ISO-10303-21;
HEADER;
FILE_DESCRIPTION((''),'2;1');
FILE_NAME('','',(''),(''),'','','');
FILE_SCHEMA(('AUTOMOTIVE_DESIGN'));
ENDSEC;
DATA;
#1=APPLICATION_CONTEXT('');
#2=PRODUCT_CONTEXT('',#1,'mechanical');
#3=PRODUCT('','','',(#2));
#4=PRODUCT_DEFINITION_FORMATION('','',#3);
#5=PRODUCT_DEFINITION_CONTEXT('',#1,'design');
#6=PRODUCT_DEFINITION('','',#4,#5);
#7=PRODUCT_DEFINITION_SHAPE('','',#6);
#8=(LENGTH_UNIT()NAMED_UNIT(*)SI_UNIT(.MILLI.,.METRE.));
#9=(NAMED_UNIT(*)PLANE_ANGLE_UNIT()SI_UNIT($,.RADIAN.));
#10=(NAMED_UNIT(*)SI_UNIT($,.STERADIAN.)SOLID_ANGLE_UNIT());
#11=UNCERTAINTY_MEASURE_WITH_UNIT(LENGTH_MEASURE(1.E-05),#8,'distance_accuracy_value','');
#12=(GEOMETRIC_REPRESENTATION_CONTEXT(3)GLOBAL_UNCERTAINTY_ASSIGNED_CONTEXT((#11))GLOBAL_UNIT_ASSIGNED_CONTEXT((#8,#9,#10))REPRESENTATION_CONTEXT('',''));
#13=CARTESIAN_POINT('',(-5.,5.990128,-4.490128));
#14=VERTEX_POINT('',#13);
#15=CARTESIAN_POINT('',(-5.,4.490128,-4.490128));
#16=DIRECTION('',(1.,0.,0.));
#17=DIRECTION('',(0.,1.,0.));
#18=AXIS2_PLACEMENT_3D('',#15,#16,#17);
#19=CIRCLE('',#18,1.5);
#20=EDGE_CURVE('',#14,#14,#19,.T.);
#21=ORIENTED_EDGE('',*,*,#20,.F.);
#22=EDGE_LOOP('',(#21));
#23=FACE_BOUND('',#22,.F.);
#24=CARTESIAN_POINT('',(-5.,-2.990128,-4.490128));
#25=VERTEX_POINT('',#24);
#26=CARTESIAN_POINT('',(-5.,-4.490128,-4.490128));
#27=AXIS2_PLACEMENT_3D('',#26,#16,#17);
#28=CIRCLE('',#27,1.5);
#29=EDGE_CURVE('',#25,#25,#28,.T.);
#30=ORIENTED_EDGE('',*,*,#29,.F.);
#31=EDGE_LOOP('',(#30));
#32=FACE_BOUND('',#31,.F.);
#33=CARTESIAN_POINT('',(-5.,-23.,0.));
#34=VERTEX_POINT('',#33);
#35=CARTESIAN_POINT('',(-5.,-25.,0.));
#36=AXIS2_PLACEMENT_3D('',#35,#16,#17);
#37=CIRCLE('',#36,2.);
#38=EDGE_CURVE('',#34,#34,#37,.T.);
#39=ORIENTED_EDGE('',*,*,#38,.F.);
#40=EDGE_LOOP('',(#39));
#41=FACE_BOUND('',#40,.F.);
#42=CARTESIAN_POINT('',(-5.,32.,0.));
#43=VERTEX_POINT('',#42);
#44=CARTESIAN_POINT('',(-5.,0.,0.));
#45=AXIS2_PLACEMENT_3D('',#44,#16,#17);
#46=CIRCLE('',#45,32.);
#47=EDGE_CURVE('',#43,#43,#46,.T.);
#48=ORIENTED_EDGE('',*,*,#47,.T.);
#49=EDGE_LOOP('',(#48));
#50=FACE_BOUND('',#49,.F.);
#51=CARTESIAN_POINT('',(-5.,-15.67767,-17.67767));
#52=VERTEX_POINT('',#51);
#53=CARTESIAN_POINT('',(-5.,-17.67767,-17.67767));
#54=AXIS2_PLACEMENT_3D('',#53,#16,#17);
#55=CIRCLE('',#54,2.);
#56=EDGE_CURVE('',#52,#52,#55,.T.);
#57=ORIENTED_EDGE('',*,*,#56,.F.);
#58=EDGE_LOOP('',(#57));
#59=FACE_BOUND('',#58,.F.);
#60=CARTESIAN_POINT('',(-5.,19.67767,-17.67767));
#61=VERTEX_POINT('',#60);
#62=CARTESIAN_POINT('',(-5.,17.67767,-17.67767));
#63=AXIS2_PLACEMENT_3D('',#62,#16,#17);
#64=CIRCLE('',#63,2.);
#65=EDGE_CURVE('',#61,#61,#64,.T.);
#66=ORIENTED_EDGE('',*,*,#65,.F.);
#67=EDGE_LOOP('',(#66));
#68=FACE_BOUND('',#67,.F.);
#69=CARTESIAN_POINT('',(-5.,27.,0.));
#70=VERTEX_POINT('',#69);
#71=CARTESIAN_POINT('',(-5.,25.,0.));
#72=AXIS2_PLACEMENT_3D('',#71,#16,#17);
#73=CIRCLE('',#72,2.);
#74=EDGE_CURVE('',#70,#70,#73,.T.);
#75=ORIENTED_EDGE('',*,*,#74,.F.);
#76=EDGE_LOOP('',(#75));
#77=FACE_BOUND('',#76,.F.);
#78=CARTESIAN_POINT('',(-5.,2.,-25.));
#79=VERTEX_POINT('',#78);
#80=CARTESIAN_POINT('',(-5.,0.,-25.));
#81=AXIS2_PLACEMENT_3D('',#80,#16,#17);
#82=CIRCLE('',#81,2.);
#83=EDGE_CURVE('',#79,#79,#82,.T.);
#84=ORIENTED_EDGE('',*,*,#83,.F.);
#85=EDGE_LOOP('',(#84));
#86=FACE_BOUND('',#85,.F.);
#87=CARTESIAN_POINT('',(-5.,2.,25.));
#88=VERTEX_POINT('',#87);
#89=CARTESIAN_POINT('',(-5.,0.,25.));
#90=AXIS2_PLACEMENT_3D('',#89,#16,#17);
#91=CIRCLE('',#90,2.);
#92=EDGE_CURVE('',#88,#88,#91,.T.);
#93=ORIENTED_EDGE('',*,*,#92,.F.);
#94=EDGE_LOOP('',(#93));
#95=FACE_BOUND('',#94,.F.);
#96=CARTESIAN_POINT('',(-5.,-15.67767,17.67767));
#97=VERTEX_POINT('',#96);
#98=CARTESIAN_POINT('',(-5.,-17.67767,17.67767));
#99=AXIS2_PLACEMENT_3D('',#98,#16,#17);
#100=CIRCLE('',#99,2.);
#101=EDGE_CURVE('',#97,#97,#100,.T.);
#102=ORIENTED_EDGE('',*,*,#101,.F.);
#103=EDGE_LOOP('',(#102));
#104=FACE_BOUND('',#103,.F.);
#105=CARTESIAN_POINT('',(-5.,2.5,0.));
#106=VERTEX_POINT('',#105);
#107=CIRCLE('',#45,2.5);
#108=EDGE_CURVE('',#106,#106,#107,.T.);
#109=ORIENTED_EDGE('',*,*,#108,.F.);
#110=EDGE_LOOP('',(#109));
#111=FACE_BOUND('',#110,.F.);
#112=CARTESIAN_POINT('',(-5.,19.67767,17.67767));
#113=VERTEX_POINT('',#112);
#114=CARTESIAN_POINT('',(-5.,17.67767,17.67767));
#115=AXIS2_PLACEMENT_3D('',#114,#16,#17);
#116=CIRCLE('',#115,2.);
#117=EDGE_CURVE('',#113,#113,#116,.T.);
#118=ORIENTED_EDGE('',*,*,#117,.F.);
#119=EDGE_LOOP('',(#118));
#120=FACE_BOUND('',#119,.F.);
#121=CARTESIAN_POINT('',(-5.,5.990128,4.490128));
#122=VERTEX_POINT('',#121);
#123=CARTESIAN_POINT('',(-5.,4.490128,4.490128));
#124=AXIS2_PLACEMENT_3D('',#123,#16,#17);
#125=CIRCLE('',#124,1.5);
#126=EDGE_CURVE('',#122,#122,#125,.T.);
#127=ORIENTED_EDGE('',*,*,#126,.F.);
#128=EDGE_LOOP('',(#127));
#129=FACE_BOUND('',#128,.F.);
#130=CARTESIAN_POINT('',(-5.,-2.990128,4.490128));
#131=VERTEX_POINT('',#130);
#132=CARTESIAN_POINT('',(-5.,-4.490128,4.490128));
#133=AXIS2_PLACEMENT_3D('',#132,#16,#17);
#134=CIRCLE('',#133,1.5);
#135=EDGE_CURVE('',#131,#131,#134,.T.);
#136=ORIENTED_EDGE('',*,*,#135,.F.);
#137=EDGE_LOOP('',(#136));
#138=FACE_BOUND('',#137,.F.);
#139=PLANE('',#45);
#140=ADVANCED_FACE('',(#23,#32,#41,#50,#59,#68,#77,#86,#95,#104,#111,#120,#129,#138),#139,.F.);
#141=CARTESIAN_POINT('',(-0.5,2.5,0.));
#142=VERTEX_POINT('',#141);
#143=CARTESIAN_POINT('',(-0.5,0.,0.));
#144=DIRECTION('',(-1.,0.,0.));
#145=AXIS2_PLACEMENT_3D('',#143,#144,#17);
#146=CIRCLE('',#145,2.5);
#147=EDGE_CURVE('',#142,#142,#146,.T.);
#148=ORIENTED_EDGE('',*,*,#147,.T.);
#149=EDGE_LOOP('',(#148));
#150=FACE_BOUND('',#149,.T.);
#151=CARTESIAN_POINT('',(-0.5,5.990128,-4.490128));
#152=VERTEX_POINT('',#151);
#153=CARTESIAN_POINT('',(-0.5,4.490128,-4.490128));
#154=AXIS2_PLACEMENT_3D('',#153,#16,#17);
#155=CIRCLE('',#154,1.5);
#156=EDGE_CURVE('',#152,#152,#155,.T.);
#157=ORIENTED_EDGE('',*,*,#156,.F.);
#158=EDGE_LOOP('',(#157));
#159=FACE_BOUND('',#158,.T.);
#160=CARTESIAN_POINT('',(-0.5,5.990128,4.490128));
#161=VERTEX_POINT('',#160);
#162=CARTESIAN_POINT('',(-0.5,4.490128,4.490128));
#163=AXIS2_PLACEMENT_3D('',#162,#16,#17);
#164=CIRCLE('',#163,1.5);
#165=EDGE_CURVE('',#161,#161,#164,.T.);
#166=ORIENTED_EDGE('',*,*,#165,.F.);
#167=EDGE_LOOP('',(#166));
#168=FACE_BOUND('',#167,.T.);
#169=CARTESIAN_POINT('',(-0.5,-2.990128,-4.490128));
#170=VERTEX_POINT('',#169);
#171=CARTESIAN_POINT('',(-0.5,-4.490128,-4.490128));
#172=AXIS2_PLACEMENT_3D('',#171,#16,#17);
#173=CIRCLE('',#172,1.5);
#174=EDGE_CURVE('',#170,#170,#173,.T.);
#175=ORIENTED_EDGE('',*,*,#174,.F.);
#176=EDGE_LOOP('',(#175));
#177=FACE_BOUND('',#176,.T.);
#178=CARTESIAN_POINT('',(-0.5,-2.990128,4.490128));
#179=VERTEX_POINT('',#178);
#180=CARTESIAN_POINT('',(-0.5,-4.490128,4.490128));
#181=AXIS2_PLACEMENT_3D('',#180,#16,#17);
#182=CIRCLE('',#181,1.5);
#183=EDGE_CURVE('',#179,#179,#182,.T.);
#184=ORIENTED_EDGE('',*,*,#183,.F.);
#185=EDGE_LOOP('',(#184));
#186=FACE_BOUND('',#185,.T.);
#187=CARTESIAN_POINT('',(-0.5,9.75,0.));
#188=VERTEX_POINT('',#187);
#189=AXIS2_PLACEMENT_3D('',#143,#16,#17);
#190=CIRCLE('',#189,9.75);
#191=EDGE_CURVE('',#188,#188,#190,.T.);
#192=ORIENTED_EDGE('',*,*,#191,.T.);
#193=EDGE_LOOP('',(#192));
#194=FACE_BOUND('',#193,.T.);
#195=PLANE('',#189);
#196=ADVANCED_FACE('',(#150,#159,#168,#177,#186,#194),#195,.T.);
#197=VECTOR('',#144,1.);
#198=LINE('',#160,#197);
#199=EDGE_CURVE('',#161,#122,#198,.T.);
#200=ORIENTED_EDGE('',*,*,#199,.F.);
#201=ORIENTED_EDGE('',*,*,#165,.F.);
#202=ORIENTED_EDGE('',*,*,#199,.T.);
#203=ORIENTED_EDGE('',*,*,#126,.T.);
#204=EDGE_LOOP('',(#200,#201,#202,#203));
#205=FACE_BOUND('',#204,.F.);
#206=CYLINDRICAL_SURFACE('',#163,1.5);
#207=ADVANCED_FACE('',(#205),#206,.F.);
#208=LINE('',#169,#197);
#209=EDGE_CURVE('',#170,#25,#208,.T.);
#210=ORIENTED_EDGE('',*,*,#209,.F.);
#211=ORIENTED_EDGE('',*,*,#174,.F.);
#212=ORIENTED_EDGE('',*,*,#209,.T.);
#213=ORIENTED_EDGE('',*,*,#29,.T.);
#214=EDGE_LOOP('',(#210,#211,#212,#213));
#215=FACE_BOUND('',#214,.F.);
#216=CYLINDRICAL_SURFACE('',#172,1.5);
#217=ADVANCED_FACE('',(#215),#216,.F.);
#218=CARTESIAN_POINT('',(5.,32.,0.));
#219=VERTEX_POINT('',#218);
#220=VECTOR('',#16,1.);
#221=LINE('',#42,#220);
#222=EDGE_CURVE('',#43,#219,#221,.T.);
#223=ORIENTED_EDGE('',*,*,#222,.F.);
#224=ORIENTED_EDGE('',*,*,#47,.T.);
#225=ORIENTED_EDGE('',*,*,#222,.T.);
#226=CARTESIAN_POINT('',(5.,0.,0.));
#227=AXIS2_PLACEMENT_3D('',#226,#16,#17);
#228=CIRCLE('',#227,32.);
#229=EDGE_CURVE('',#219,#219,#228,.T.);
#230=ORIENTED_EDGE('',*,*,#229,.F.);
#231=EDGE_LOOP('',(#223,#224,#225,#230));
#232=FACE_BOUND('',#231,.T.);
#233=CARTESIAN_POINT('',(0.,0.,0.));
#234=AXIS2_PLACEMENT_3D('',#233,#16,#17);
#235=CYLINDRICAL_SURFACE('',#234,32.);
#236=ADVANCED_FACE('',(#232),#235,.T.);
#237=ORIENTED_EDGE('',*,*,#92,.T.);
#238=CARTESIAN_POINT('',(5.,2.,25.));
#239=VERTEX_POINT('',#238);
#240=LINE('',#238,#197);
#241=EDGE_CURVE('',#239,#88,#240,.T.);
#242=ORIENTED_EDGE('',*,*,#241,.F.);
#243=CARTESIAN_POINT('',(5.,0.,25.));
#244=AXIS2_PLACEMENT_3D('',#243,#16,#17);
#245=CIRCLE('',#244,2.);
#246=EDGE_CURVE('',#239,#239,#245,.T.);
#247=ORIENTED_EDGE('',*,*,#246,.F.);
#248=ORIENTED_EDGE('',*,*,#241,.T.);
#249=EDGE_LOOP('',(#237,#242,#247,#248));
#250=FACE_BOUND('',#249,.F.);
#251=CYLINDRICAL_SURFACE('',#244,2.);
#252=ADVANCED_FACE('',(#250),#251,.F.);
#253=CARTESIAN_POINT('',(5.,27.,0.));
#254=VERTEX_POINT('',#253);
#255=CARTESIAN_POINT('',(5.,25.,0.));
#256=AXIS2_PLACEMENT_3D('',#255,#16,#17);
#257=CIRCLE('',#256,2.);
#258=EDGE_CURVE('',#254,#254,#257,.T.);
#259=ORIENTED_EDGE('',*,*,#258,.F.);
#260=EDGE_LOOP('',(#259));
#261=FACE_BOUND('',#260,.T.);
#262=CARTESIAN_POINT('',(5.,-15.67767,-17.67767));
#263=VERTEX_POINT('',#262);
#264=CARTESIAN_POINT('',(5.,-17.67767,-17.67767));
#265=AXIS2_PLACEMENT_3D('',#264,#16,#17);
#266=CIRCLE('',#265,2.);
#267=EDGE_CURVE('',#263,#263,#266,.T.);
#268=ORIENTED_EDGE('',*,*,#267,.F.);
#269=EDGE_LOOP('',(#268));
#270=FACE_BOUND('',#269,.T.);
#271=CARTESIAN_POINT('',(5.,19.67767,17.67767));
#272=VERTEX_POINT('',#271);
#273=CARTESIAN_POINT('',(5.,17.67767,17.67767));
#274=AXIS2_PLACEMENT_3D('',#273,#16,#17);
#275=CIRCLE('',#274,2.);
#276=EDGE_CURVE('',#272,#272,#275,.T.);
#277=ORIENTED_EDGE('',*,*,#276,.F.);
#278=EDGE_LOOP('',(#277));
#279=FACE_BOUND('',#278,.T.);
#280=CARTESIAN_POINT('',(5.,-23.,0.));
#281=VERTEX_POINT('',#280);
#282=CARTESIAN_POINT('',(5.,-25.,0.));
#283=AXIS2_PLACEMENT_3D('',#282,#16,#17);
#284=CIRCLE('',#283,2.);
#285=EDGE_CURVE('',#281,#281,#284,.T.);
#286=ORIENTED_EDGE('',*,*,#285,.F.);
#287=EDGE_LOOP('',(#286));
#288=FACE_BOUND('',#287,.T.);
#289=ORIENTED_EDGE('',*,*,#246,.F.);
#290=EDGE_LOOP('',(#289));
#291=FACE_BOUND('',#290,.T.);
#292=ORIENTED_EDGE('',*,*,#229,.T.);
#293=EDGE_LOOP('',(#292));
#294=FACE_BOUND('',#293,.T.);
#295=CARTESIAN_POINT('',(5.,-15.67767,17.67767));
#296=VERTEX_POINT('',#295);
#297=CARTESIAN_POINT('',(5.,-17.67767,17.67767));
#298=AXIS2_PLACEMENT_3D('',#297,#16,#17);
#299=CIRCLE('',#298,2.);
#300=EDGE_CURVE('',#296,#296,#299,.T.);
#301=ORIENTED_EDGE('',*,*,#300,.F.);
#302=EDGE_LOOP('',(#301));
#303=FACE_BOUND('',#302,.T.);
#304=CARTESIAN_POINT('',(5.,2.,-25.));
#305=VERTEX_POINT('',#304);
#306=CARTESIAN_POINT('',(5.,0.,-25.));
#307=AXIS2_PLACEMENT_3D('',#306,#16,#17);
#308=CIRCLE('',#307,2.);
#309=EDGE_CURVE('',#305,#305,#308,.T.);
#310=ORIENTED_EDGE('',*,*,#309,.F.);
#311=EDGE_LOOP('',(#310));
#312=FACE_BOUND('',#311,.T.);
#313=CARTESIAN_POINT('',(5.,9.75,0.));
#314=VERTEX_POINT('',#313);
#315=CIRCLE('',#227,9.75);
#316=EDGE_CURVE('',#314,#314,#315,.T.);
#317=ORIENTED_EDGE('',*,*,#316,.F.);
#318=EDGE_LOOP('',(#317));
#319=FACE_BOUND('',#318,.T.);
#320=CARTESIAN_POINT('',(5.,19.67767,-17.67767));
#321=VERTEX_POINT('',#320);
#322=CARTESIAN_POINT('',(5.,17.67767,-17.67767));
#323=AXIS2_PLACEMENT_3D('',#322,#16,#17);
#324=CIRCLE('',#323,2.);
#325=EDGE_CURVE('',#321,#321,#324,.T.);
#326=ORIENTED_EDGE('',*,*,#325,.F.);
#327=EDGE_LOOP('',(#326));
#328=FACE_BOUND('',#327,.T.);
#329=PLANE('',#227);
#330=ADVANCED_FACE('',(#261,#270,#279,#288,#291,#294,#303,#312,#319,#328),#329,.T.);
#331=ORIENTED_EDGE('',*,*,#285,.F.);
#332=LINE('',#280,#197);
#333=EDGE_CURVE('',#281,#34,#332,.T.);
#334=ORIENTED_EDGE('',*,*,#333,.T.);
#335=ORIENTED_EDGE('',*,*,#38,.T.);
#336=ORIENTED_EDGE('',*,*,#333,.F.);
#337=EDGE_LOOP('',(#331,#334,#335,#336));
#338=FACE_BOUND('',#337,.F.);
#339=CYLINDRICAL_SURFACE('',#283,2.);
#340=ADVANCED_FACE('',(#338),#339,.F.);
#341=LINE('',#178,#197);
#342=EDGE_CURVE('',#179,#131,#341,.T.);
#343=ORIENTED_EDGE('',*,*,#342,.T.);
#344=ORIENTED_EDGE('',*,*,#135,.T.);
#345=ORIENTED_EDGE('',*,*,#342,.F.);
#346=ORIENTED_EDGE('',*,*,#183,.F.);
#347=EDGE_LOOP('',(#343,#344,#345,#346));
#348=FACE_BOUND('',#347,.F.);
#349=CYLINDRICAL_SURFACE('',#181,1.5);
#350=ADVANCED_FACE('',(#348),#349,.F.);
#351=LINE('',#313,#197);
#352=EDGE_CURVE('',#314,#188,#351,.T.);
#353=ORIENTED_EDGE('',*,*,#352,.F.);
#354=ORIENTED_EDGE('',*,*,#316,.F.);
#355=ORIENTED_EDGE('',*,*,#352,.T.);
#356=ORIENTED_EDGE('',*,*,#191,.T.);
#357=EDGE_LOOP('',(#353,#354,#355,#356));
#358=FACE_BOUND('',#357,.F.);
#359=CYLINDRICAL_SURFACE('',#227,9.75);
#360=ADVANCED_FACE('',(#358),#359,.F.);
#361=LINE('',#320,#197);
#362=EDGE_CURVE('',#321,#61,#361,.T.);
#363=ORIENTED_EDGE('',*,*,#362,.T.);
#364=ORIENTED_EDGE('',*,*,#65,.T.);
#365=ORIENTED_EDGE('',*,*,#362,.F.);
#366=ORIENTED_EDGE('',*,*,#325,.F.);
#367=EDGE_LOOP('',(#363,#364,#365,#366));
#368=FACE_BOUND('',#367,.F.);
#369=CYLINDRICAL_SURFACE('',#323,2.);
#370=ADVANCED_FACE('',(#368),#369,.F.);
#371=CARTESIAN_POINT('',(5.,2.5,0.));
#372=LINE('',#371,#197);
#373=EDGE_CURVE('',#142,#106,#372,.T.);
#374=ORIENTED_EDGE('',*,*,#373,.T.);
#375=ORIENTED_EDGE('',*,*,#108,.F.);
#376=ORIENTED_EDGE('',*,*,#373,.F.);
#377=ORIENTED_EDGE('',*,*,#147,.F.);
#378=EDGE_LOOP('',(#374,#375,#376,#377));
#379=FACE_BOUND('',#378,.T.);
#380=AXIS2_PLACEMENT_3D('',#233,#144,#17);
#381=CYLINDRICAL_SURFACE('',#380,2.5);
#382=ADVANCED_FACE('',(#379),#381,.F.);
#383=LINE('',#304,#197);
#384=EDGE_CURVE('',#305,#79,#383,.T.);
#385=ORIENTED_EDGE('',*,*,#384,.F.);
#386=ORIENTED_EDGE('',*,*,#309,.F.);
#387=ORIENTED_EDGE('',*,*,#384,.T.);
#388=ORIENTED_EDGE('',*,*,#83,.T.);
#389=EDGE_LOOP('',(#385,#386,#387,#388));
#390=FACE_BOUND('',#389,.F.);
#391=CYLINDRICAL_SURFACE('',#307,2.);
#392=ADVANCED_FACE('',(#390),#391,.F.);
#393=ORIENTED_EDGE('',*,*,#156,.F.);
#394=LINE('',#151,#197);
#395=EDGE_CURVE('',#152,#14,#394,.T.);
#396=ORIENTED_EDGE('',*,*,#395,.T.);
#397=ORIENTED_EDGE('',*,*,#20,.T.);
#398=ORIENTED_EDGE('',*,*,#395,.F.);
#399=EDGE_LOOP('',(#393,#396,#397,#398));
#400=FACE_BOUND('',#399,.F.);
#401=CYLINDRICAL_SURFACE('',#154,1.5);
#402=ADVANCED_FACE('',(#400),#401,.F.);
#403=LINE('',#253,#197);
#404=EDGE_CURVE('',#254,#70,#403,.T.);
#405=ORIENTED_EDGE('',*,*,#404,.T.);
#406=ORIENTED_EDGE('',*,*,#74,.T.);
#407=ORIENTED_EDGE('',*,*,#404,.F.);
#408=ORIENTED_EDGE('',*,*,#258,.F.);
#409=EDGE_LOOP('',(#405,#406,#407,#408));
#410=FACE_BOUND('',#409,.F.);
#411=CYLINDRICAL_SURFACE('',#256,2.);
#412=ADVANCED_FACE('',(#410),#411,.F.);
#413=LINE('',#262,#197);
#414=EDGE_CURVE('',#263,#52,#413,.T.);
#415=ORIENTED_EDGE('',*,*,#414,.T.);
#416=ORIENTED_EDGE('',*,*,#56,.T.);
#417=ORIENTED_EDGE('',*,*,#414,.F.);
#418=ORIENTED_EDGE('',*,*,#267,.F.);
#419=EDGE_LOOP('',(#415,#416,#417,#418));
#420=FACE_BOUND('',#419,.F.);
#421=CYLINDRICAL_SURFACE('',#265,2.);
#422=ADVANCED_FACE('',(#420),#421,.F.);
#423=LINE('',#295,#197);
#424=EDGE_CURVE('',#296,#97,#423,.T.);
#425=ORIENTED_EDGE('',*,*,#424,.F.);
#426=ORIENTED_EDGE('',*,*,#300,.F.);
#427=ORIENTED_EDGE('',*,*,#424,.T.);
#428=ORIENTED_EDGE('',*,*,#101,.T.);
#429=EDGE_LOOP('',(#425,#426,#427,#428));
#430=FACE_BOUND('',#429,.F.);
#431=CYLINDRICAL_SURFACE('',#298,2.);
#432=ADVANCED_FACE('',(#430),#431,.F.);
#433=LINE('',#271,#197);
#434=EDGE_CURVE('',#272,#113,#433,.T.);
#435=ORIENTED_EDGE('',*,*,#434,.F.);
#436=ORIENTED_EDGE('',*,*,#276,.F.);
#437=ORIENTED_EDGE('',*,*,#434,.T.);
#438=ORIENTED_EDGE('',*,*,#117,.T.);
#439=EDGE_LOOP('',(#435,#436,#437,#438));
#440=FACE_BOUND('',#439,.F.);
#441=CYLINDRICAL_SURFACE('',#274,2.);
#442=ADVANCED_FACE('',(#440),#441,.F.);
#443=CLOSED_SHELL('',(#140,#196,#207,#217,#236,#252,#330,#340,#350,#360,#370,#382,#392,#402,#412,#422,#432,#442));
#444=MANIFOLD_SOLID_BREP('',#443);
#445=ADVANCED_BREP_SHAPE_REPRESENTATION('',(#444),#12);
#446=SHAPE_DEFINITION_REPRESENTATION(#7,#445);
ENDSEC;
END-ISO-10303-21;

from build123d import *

# Parameters (mm, degrees)
F0_R     = 32
F0_R_2   = 2.5
F1_DEPTH = 5
F2_R     = 9.75
F3_DEPTH = 5.5
F4_R     = 1.5
F5_DEPTH = 4.501
F6_R     = 2
F7_DEPTH = 10.001


with BuildPart() as f1:
    # F0 (on Right) → F1 (new body, symmetric)
    with BuildSketch(Plane.YZ):
        Circle(F0_R)
        Circle(F0_R_2, mode=Mode.SUBTRACT)
    extrude(amount=F1_DEPTH, both=True)

    # F2 (on face) → F3 (cut)
    with BuildSketch(Plane.YZ.offset(5)):
        Circle(F2_R)
    extrude(amount=-F3_DEPTH, mode=Mode.SUBTRACT)

    # F4 (on face) → F5 (cut, through all)
    with BuildSketch(Plane.YZ.offset(-0.5)):
        with Locations((-4.490128, 4.490128)):
            Circle(F4_R)
        with Locations((-4.490128, -4.490128)):
            Circle(F4_R)
        with Locations((4.490128, -4.490128)):
            Circle(F4_R)
        with Locations((4.490128, 4.490128)):
            Circle(F4_R)
    extrude(amount=-F5_DEPTH, mode=Mode.SUBTRACT)

    # F6 (on face) → F7 (cut, through all)
    with BuildSketch(Plane.YZ.offset(5)):
        with Locations((0, 25)):
            Circle(F6_R)
        with Locations((-17.67767, 17.67767)):
            Circle(F6_R)
        with Locations((-25, 0)):
            Circle(F6_R)
        with Locations((-17.67767, -17.67767)):
            Circle(F6_R)
        with Locations((0, -25)):
            Circle(F6_R)
        with Locations((17.67767, -17.67767)):
            Circle(F6_R)
        with Locations((25, 0)):
            Circle(F6_R)
        with Locations((17.67767, 17.67767)):
            Circle(F6_R)
    extrude(amount=-F7_DEPTH, mode=Mode.SUBTRACT)


solid = f1.part
